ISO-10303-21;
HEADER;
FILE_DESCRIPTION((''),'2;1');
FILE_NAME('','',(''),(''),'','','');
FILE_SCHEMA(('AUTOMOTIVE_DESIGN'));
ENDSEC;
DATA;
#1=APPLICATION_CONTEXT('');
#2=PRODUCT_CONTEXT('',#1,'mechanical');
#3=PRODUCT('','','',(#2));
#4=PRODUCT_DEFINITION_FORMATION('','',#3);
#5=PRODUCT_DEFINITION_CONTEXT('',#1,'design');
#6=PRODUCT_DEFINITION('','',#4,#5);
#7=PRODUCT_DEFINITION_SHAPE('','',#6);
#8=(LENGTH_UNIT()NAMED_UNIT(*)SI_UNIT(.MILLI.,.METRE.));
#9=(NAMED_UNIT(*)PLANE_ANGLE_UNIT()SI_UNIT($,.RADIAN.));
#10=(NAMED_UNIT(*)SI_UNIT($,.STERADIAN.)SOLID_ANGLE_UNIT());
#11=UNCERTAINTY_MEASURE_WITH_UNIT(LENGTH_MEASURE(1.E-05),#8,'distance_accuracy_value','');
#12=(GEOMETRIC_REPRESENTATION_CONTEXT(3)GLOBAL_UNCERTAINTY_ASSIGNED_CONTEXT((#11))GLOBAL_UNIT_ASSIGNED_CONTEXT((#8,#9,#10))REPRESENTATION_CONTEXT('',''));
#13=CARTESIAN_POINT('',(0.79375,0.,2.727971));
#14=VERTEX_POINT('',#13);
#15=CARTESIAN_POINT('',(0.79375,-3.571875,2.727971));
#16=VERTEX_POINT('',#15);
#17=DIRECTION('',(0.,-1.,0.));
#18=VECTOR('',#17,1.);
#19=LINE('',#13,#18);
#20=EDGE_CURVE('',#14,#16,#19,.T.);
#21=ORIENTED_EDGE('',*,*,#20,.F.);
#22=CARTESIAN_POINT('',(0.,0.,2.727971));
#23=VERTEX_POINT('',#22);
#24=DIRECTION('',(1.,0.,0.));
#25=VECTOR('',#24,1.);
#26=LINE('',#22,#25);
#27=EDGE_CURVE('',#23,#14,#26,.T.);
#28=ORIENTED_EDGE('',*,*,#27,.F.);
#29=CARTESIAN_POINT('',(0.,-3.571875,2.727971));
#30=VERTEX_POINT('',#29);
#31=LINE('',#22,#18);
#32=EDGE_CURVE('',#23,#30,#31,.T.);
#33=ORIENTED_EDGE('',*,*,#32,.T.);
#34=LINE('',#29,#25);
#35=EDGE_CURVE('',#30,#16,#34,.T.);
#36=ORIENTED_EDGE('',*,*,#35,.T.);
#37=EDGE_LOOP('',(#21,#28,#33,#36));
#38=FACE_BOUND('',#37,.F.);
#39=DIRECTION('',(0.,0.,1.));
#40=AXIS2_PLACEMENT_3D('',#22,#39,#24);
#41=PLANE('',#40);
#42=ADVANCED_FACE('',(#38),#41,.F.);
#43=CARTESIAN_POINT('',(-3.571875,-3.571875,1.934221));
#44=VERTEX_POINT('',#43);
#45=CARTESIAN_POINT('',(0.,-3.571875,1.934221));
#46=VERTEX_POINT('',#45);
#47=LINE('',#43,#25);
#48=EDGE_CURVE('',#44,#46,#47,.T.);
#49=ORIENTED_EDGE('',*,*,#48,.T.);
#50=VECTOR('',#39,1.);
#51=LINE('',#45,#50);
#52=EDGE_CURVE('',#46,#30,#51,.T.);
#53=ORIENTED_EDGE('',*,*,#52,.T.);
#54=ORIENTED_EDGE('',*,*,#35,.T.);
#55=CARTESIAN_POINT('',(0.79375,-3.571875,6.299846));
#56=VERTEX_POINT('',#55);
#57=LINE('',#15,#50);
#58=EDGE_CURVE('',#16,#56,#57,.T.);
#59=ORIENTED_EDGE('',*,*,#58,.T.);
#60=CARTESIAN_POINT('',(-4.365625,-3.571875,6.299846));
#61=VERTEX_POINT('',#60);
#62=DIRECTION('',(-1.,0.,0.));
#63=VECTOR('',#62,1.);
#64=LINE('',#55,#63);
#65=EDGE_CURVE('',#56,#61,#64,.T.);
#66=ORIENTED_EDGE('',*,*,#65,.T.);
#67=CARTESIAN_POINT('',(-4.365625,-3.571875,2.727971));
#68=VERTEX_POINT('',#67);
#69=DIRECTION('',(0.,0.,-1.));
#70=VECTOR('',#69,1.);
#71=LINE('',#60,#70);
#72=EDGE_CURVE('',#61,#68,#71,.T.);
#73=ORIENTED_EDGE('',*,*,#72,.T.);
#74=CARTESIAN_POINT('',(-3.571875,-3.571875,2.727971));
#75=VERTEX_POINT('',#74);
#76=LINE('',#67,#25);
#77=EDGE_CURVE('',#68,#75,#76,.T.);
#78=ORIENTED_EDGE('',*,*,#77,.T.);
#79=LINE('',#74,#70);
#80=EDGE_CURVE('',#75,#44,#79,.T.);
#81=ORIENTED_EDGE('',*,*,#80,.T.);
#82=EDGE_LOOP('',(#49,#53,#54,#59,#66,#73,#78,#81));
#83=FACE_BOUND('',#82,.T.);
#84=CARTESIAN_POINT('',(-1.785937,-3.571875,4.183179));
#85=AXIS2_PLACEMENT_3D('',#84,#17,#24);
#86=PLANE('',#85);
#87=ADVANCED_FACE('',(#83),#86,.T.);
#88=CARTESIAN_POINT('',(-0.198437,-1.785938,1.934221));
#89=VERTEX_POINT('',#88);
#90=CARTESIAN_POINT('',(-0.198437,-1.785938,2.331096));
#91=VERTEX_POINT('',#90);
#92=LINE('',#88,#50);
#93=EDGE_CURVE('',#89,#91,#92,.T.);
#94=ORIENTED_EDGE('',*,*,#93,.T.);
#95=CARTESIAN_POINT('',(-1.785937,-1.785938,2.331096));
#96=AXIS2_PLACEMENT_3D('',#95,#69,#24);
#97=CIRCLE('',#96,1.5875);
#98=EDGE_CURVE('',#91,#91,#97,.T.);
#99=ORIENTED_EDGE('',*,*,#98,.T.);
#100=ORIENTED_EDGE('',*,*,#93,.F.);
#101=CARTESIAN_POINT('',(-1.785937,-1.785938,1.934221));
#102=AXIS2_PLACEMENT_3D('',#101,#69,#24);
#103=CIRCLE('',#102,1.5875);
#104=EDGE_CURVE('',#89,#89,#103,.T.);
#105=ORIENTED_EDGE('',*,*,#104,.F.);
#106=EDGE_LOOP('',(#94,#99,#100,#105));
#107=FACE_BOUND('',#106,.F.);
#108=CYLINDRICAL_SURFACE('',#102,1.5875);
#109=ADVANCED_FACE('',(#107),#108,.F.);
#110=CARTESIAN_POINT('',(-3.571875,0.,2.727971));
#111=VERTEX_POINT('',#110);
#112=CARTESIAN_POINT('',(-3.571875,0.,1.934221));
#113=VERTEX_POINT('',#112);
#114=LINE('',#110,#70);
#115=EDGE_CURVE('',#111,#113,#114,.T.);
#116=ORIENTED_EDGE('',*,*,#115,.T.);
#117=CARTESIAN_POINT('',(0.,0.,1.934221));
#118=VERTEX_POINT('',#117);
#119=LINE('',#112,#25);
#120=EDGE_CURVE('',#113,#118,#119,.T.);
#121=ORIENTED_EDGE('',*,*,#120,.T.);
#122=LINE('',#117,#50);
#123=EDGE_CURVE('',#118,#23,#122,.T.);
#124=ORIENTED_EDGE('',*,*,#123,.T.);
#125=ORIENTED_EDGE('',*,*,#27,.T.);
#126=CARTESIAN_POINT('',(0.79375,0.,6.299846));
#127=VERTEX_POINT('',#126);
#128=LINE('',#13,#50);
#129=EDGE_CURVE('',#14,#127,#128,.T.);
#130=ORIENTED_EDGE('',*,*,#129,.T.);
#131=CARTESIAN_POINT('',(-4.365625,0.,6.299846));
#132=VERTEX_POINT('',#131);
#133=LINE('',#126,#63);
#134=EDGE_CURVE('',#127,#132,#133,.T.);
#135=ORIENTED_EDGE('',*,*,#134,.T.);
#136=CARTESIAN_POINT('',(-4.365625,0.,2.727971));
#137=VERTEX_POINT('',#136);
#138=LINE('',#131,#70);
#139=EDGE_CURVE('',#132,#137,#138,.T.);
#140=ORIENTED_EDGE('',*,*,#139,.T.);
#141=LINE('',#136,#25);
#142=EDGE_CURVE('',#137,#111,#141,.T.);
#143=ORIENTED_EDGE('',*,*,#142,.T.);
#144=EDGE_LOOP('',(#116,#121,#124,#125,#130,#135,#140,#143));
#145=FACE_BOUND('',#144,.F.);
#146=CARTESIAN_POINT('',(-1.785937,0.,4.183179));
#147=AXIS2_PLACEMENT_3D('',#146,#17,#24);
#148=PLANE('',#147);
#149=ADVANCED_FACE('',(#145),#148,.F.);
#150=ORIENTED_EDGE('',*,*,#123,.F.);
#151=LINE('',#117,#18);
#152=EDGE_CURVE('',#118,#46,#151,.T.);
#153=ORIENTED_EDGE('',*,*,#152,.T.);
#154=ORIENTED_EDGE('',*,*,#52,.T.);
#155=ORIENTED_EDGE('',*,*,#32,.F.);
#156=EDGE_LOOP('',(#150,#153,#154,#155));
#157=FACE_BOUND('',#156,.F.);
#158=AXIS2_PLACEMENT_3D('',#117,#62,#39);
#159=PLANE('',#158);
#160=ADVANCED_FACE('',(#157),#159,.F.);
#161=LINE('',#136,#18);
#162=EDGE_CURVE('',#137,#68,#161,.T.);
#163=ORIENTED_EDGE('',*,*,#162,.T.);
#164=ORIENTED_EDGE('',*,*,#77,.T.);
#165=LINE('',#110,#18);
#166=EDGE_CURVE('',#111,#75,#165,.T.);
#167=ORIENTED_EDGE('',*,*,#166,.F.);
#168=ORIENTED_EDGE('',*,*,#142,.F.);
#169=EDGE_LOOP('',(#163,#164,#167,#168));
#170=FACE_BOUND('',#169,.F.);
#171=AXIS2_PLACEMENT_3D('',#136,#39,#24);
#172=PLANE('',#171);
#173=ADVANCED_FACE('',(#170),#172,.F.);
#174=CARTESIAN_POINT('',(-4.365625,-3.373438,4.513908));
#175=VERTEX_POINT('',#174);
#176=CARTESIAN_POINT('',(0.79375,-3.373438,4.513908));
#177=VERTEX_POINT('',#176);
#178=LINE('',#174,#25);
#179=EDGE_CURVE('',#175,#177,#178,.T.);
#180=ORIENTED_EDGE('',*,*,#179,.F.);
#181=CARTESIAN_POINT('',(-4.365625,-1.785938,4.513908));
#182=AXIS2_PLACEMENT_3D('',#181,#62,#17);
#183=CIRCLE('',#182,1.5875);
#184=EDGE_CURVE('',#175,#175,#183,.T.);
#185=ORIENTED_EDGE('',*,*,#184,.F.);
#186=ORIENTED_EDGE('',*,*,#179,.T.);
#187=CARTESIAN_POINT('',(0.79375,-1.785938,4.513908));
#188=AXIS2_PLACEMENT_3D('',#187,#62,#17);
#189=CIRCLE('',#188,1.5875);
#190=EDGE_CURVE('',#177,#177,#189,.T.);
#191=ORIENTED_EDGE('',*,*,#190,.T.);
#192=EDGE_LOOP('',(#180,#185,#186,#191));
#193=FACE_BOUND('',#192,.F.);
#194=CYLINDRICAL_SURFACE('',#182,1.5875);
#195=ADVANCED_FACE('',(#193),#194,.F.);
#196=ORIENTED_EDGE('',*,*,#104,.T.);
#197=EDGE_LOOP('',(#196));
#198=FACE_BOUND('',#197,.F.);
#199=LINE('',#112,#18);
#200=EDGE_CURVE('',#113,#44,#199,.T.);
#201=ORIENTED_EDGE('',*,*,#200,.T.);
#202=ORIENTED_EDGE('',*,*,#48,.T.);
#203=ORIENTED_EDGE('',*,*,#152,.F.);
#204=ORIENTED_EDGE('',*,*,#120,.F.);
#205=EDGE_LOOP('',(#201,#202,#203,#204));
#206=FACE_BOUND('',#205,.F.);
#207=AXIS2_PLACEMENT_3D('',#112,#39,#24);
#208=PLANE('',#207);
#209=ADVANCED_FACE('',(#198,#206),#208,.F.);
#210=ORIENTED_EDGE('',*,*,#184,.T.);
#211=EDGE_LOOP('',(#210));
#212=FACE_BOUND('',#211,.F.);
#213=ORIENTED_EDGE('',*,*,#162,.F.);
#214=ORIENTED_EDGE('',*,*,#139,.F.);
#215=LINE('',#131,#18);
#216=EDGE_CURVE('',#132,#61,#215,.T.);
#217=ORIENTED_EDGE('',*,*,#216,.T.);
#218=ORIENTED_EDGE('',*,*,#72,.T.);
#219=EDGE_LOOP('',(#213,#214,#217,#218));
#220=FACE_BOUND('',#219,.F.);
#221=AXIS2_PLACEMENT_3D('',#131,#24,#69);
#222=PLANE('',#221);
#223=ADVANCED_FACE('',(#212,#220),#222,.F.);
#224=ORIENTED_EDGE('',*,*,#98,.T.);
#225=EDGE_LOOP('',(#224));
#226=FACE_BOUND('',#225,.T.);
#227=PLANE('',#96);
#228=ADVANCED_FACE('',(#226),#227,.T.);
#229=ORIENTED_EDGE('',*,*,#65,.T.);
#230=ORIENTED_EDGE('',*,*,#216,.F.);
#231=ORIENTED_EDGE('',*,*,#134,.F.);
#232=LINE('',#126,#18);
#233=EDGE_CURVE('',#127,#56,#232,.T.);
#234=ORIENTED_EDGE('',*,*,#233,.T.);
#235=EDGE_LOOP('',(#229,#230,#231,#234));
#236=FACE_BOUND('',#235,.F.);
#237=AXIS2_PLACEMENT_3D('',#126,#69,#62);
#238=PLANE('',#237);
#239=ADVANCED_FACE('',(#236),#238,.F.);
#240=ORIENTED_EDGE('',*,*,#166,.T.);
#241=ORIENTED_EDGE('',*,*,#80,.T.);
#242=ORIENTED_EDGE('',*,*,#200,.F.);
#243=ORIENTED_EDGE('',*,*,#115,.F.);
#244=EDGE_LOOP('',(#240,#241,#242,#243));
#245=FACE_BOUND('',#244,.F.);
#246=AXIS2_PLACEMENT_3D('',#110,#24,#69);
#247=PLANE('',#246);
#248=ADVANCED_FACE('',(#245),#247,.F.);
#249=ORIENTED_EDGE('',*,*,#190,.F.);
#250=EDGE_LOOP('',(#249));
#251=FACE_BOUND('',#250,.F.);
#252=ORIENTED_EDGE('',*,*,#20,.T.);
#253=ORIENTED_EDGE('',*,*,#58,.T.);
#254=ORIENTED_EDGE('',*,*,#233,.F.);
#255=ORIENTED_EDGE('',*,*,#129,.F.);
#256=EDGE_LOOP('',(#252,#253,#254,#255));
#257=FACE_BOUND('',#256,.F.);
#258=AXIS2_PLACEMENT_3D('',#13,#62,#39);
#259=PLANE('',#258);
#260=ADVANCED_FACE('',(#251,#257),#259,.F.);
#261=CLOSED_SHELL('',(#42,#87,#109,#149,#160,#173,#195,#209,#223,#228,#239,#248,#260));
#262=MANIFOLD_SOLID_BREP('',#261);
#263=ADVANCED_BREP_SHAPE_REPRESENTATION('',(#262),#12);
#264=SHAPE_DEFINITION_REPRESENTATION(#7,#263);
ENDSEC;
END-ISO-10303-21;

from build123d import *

# Parameters (mm, degrees)
F1_DEPTH = 3.571875
F2_R     = 1.5875
F3_DEPTH = 0.396875
F4_R     = 1.5875
F5_DEPTH = 25.4


with BuildPart() as f1:
    # F0 (on Front) → F1 (new body)
    with BuildSketch(Plane.XZ):
        Polygon((-3.571875, 1.934221), (0, 1.934221), (0, 2.727971), (0.79375, 2.727971), (0.79375, 6.299846), (-4.365625, 6.299846), (-4.365625, 2.727971), (-3.571875, 2.727971), align=None)
    extrude(amount=F1_DEPTH)

    # F2 (on face) → F3 (cut)
    with BuildSketch(Plane(origin=(0, 0, 1.934221), x_dir=(1, 0, 0), z_dir=(0, 0, -1))):
        with Locations((-1.785937, 1.785938)):
            Circle(F2_R)
    extrude(amount=-F3_DEPTH, mode=Mode.SUBTRACT)

    # F4 (on face) → F5 (cut)
    with BuildSketch(Plane(origin=(-4.365625, 0, 0), x_dir=(0, -1, 0), z_dir=(-1, 0, 0))):
        with Locations((1.785938, 4.513908)):
            Circle(F4_R)
    extrude(amount=-F5_DEPTH, mode=Mode.SUBTRACT)


solid = f1.part
